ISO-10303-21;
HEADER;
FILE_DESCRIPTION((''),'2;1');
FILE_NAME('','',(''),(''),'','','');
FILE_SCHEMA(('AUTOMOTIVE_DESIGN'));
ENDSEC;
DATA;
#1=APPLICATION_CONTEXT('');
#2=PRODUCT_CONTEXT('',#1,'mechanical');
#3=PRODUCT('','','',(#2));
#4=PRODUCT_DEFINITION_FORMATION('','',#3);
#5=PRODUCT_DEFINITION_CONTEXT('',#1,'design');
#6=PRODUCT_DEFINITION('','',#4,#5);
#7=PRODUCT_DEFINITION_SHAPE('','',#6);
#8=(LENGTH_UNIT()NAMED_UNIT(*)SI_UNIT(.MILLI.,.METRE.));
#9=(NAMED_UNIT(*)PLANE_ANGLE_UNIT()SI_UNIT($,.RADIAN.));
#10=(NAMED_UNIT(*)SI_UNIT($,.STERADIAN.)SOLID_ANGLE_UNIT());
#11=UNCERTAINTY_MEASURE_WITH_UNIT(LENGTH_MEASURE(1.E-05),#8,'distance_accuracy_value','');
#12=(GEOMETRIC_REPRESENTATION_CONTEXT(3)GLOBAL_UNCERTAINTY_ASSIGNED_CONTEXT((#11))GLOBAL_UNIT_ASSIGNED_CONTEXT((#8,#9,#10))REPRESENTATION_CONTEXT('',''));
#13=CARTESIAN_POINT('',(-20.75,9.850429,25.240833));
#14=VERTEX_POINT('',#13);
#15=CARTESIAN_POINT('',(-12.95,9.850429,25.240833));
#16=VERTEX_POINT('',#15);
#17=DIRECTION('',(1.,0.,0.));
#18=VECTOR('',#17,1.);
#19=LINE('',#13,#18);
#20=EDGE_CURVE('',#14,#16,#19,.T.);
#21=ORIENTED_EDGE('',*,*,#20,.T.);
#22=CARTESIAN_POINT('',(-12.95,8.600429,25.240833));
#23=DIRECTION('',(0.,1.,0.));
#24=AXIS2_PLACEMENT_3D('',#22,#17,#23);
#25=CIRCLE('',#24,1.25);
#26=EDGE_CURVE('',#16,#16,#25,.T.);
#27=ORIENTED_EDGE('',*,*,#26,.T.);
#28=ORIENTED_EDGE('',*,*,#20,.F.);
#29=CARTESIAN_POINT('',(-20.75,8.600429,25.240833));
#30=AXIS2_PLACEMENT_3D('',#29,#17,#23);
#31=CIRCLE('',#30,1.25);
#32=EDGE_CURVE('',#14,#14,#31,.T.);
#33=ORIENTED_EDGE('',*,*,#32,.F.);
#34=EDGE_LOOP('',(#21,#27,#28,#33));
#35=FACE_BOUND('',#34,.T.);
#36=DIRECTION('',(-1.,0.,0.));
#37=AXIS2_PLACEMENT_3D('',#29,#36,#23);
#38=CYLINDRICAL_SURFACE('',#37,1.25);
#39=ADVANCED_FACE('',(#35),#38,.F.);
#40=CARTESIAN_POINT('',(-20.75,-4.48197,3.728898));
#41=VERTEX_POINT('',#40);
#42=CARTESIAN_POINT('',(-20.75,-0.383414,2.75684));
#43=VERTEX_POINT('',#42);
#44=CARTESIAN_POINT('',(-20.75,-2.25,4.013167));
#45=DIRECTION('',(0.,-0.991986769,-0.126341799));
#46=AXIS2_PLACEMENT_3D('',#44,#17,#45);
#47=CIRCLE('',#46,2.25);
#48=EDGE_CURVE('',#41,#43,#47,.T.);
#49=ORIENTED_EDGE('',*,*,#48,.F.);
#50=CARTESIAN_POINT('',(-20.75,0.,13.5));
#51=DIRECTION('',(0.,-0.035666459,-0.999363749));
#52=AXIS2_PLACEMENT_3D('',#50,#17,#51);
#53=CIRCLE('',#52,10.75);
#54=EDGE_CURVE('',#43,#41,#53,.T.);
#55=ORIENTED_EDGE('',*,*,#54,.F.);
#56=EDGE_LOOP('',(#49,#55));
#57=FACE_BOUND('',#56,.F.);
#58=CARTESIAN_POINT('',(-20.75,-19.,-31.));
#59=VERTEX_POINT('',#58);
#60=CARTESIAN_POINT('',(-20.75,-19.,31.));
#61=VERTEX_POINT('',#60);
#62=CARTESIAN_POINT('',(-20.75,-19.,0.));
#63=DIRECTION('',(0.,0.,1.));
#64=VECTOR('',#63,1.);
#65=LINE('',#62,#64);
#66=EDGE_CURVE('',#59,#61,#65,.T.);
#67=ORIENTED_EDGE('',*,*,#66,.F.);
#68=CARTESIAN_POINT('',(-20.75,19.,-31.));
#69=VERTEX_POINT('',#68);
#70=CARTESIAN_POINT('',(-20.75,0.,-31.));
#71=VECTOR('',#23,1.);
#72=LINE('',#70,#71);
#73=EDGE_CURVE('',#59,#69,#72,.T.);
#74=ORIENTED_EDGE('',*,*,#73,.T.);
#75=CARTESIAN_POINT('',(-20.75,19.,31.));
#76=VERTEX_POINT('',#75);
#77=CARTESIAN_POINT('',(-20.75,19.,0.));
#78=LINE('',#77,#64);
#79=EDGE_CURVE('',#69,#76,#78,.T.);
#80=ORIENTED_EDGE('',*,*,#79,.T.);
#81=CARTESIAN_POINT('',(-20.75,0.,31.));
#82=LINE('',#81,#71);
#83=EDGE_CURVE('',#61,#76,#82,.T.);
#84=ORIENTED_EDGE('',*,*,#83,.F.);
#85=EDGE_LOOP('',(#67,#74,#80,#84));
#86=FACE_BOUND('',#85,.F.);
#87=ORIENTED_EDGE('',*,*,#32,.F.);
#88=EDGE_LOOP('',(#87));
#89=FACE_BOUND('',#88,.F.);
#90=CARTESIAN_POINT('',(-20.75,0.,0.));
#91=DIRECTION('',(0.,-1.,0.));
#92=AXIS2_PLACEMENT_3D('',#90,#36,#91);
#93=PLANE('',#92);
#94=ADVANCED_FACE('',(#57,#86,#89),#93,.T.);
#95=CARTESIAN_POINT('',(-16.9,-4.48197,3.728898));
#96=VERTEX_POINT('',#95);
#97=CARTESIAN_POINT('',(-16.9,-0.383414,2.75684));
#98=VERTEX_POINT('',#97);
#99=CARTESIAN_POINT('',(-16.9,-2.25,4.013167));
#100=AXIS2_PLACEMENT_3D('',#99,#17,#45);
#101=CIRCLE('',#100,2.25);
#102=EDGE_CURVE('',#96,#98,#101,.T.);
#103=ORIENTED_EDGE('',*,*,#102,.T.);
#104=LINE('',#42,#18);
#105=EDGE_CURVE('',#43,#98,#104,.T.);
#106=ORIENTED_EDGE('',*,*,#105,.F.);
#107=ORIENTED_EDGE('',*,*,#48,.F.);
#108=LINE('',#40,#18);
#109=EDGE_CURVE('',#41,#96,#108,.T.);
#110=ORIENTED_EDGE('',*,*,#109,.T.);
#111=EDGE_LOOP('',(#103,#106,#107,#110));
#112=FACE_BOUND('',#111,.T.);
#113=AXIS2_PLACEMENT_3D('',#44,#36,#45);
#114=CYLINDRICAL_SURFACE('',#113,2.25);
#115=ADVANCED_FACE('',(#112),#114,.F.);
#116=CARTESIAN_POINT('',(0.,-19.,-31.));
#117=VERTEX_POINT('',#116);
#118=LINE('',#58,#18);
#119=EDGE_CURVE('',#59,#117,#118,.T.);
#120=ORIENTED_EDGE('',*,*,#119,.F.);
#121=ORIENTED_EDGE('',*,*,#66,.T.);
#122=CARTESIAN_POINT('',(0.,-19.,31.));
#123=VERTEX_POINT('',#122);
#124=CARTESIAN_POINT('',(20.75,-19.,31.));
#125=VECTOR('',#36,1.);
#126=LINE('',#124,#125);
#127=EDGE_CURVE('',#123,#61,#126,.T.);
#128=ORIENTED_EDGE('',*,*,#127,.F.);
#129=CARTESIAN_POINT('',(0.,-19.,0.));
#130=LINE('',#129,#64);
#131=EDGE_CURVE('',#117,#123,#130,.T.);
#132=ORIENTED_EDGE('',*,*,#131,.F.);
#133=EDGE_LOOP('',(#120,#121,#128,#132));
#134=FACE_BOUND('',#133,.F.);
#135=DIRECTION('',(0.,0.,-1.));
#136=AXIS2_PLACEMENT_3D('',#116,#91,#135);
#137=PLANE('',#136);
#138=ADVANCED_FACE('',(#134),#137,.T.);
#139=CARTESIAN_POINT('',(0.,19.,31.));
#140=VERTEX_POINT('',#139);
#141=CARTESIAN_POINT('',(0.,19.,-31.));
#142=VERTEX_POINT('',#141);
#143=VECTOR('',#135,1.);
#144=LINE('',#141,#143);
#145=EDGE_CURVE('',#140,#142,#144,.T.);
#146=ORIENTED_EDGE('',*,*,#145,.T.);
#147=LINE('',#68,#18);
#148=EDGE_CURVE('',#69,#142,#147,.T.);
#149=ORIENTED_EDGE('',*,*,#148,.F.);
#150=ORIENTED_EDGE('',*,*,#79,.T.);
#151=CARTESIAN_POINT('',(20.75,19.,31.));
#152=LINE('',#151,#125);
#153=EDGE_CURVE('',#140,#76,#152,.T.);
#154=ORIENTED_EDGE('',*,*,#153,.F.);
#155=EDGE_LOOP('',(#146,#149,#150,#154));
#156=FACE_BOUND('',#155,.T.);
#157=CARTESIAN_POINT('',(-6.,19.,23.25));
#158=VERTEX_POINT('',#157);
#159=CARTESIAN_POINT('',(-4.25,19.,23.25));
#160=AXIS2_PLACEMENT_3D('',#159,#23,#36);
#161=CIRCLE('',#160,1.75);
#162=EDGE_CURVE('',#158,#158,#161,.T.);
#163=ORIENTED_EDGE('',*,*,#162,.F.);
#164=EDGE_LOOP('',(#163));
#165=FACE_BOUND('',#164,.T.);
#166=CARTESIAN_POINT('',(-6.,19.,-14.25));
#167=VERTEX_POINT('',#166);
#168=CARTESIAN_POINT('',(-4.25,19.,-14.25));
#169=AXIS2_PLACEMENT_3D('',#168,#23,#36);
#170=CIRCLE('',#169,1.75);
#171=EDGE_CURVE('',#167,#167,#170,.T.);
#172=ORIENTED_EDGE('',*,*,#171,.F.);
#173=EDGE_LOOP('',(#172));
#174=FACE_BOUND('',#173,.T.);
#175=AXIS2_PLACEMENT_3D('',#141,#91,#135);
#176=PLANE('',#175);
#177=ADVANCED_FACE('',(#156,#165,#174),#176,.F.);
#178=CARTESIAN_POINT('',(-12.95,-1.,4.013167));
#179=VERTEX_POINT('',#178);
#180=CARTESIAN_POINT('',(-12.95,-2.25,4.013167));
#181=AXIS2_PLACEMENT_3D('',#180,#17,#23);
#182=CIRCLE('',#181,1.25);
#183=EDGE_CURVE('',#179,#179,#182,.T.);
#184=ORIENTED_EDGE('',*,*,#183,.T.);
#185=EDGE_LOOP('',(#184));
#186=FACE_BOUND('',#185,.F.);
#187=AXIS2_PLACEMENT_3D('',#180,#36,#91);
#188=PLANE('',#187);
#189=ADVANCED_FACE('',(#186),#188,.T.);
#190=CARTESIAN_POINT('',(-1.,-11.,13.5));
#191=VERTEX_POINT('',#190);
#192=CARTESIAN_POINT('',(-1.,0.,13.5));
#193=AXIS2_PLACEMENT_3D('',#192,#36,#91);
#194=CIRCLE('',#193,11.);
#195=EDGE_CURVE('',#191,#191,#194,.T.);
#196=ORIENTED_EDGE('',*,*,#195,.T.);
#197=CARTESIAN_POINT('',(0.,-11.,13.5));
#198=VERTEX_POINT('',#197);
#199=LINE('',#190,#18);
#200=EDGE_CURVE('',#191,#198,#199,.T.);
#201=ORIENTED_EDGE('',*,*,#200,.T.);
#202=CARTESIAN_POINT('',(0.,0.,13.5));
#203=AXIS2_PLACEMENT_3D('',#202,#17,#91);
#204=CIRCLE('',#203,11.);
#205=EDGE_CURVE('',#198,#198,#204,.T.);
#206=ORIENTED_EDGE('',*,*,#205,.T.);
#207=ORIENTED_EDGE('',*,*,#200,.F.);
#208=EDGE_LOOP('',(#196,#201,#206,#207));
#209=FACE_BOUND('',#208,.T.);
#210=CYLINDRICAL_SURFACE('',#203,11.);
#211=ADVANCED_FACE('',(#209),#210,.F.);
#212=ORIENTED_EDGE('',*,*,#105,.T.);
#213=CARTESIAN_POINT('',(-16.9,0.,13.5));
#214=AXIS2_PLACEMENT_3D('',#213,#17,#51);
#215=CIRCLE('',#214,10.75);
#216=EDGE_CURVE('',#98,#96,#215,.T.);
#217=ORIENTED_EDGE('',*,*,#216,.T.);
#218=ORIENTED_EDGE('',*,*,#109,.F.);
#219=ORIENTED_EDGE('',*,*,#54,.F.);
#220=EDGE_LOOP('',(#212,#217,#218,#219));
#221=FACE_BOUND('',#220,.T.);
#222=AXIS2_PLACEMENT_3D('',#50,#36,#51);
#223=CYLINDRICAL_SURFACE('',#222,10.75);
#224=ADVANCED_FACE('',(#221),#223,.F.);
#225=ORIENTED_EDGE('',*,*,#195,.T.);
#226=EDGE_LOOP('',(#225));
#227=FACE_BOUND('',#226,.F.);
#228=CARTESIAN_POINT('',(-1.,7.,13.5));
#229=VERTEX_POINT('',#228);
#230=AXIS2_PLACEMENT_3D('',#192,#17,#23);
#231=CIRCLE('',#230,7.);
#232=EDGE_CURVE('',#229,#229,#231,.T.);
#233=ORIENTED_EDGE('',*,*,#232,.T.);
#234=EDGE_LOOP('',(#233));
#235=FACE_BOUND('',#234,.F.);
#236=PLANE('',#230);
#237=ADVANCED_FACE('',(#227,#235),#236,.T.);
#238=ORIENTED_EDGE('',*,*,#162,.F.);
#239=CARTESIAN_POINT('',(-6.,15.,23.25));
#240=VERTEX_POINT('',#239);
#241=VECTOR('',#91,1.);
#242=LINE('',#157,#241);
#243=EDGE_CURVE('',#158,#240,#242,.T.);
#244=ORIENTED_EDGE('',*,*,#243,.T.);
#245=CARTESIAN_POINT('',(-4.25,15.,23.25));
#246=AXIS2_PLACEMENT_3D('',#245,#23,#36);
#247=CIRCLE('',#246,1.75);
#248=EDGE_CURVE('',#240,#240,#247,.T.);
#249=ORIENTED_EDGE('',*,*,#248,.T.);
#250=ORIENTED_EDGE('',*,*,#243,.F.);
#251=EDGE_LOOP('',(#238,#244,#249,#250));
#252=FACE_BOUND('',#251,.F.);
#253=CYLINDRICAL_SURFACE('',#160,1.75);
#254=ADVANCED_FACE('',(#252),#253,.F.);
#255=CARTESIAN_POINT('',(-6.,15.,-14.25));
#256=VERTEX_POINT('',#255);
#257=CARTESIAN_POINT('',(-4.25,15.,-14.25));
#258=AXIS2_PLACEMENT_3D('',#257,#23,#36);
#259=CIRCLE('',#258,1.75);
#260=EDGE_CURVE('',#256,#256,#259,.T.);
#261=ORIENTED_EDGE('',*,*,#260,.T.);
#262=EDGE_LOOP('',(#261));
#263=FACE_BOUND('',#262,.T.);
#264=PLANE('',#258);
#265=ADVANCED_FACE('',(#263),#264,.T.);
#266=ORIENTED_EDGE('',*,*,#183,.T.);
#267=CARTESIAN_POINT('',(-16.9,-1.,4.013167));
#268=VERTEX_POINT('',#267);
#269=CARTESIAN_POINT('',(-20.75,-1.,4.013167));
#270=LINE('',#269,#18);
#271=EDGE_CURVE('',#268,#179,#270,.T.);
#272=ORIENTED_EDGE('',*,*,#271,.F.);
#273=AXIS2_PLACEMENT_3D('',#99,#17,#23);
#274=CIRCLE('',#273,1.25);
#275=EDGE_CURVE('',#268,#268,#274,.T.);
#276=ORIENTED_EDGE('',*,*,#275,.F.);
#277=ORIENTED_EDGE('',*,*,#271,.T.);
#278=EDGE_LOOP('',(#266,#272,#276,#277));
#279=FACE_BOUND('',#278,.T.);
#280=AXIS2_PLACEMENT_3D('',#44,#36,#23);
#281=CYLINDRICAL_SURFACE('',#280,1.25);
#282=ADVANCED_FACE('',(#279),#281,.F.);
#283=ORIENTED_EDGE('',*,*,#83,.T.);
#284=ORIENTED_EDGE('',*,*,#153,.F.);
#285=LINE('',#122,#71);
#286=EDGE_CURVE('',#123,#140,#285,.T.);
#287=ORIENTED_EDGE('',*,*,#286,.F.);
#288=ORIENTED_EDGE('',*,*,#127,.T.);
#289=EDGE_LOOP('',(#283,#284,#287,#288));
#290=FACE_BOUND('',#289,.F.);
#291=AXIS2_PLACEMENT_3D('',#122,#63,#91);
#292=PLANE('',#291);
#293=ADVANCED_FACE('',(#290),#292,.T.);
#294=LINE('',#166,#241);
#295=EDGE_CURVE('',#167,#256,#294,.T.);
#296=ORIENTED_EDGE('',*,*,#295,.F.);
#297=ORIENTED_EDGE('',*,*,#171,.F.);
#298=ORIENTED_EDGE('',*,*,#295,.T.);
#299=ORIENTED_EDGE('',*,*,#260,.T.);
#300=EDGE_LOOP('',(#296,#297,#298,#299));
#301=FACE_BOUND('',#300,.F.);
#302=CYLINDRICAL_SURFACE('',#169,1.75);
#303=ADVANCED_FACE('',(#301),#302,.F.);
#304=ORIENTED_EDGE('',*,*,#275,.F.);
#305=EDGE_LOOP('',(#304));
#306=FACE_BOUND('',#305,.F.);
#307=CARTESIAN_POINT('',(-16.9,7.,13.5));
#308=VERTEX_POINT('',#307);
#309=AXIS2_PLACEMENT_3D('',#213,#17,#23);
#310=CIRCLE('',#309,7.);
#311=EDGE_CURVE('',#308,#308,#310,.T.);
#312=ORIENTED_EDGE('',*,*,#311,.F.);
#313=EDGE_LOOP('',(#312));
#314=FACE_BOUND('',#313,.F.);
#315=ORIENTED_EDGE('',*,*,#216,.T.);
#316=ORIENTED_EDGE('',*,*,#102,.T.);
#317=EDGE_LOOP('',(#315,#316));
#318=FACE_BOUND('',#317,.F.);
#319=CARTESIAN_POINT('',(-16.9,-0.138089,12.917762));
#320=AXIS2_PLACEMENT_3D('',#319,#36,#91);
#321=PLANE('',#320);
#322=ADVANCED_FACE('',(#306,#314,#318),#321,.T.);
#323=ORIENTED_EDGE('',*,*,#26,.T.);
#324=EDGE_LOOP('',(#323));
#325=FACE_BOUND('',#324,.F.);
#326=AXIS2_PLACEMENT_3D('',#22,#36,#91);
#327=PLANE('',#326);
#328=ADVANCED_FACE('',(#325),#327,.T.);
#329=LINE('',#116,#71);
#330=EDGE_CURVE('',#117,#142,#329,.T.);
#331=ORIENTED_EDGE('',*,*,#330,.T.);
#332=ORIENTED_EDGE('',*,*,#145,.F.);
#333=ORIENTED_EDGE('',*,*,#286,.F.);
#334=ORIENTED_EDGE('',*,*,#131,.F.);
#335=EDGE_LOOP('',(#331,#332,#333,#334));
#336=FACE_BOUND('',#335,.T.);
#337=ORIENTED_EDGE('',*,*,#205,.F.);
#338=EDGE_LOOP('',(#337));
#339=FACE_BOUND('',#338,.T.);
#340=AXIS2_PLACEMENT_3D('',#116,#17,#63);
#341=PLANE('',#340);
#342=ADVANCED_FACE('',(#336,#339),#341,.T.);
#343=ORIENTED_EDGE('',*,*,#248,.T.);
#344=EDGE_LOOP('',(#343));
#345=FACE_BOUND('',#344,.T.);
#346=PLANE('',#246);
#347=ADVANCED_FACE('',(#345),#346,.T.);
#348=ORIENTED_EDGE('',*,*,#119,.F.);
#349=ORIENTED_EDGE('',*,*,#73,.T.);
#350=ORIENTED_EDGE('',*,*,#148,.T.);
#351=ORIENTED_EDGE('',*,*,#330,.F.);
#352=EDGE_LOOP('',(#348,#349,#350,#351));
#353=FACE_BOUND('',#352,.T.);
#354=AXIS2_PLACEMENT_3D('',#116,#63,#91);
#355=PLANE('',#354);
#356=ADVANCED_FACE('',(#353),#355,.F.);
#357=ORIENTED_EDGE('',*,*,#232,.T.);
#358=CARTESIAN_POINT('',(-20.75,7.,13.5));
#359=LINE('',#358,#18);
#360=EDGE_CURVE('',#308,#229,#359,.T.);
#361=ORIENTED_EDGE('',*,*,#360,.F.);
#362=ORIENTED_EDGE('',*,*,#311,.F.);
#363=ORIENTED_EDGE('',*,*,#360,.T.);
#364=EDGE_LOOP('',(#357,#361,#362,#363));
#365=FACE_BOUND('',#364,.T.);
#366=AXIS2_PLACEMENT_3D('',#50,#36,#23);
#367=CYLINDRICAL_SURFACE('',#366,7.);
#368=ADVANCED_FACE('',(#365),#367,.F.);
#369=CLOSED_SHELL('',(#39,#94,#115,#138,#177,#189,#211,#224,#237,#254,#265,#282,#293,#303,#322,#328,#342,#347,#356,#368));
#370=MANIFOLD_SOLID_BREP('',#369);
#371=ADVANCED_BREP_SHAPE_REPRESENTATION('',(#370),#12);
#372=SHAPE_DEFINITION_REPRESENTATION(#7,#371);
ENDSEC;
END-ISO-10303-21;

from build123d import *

# Parameters (mm, degrees)
F0_W      = 38
F0_H      = 62
F1_DEPTH  = 20.75
F2_R      = 1.25
F2_R_2    = 7
F3_DEPTH  = 3.85
F4_DEPTH  = 7.8
F5_DEPTH  = 20.751
F6_R      = 11
F6_R_2    = 7
F7_DEPTH  = 1
F9_W      = 20.75
F9_H      = 62
F10_DEPTH = 38.001
F11_R     = 1.75
F12_DEPTH = 4


with BuildPart() as f1:
    # F0 (on Right) → F1 (new body)
    with BuildSketch(Plane.YZ):
        Rectangle(F0_W, F0_H)
    extrude(amount=F1_DEPTH)

    # F2 (on face) → F3 (cut)
    with BuildSketch(Plane.YZ.offset(20.75)):
        with BuildLine():
            ThreePointArc((-4.48197, 3.728898), (-2.769231, 1.823898), (-0.383414, 2.75684))
            ThreePointArc((-0.383414, 2.75684), (2.480769, 23.959841), (-4.48197, 3.728898))
        make_face()
        with Locations((-2.25, 4.013167)):
            Circle(F2_R, mode=Mode.SUBTRACT)
        with Locations((0, 13.5)):
            Circle(F2_R_2, mode=Mode.SUBTRACT)
    extrude(amount=-F3_DEPTH, mode=Mode.SUBTRACT)

    # F2 (on face) → F4 (cut)
    with BuildSketch(Plane.YZ.offset(20.75)):
        with Locations((-2.25, 4.013167)):
            Circle(F2_R)
        with Locations((8.600429, 25.240833)):
            Circle(F2_R)
    extrude(amount=-F4_DEPTH, mode=Mode.SUBTRACT)

    # F2 (on face) → F5 (cut, through all)
    with BuildSketch(Plane.YZ.offset(20.75)):
        with Locations((0, 13.5)):
            Circle(F2_R_2)
    extrude(amount=-F5_DEPTH, mode=Mode.SUBTRACT)

    # F6 (on face) → F7 (cut)
    with BuildSketch(Plane(origin=(0, 0, 0), x_dir=(0, -1, 0), z_dir=(-1, 0, 0))):
        with Locations((0, 13.5)):
            Circle(F6_R)
        with Locations((0, 13.5)):
            Circle(F6_R_2, mode=Mode.SUBTRACT)
    extrude(amount=-F7_DEPTH, mode=Mode.SUBTRACT)

    # F8: F1 across plane


with BuildPart() as f1_1:
    add(f1.part)
    add(f1.part.mirror(Plane.YZ))

    # F9 (on face) → F10 (cut, through all)
    with BuildSketch(Plane.XZ.offset(19)):
        with Locations((10.375, 0)):
            Rectangle(F9_W, F9_H)
    extrude(amount=-F10_DEPTH, mode=Mode.SUBTRACT)

    # F11 (on face) → F12 (cut)
    with BuildSketch(Plane(origin=(0, 19, 0), x_dir=(-1, 0, 0), z_dir=(0, 1, 0))):
        with Locations((4.25, 23.25)):
            Circle(F11_R)
        with Locations((4.25, -14.25)):
            Circle(F11_R)
    extrude(amount=-F12_DEPTH, mode=Mode.SUBTRACT)


solid = f1_1.part
